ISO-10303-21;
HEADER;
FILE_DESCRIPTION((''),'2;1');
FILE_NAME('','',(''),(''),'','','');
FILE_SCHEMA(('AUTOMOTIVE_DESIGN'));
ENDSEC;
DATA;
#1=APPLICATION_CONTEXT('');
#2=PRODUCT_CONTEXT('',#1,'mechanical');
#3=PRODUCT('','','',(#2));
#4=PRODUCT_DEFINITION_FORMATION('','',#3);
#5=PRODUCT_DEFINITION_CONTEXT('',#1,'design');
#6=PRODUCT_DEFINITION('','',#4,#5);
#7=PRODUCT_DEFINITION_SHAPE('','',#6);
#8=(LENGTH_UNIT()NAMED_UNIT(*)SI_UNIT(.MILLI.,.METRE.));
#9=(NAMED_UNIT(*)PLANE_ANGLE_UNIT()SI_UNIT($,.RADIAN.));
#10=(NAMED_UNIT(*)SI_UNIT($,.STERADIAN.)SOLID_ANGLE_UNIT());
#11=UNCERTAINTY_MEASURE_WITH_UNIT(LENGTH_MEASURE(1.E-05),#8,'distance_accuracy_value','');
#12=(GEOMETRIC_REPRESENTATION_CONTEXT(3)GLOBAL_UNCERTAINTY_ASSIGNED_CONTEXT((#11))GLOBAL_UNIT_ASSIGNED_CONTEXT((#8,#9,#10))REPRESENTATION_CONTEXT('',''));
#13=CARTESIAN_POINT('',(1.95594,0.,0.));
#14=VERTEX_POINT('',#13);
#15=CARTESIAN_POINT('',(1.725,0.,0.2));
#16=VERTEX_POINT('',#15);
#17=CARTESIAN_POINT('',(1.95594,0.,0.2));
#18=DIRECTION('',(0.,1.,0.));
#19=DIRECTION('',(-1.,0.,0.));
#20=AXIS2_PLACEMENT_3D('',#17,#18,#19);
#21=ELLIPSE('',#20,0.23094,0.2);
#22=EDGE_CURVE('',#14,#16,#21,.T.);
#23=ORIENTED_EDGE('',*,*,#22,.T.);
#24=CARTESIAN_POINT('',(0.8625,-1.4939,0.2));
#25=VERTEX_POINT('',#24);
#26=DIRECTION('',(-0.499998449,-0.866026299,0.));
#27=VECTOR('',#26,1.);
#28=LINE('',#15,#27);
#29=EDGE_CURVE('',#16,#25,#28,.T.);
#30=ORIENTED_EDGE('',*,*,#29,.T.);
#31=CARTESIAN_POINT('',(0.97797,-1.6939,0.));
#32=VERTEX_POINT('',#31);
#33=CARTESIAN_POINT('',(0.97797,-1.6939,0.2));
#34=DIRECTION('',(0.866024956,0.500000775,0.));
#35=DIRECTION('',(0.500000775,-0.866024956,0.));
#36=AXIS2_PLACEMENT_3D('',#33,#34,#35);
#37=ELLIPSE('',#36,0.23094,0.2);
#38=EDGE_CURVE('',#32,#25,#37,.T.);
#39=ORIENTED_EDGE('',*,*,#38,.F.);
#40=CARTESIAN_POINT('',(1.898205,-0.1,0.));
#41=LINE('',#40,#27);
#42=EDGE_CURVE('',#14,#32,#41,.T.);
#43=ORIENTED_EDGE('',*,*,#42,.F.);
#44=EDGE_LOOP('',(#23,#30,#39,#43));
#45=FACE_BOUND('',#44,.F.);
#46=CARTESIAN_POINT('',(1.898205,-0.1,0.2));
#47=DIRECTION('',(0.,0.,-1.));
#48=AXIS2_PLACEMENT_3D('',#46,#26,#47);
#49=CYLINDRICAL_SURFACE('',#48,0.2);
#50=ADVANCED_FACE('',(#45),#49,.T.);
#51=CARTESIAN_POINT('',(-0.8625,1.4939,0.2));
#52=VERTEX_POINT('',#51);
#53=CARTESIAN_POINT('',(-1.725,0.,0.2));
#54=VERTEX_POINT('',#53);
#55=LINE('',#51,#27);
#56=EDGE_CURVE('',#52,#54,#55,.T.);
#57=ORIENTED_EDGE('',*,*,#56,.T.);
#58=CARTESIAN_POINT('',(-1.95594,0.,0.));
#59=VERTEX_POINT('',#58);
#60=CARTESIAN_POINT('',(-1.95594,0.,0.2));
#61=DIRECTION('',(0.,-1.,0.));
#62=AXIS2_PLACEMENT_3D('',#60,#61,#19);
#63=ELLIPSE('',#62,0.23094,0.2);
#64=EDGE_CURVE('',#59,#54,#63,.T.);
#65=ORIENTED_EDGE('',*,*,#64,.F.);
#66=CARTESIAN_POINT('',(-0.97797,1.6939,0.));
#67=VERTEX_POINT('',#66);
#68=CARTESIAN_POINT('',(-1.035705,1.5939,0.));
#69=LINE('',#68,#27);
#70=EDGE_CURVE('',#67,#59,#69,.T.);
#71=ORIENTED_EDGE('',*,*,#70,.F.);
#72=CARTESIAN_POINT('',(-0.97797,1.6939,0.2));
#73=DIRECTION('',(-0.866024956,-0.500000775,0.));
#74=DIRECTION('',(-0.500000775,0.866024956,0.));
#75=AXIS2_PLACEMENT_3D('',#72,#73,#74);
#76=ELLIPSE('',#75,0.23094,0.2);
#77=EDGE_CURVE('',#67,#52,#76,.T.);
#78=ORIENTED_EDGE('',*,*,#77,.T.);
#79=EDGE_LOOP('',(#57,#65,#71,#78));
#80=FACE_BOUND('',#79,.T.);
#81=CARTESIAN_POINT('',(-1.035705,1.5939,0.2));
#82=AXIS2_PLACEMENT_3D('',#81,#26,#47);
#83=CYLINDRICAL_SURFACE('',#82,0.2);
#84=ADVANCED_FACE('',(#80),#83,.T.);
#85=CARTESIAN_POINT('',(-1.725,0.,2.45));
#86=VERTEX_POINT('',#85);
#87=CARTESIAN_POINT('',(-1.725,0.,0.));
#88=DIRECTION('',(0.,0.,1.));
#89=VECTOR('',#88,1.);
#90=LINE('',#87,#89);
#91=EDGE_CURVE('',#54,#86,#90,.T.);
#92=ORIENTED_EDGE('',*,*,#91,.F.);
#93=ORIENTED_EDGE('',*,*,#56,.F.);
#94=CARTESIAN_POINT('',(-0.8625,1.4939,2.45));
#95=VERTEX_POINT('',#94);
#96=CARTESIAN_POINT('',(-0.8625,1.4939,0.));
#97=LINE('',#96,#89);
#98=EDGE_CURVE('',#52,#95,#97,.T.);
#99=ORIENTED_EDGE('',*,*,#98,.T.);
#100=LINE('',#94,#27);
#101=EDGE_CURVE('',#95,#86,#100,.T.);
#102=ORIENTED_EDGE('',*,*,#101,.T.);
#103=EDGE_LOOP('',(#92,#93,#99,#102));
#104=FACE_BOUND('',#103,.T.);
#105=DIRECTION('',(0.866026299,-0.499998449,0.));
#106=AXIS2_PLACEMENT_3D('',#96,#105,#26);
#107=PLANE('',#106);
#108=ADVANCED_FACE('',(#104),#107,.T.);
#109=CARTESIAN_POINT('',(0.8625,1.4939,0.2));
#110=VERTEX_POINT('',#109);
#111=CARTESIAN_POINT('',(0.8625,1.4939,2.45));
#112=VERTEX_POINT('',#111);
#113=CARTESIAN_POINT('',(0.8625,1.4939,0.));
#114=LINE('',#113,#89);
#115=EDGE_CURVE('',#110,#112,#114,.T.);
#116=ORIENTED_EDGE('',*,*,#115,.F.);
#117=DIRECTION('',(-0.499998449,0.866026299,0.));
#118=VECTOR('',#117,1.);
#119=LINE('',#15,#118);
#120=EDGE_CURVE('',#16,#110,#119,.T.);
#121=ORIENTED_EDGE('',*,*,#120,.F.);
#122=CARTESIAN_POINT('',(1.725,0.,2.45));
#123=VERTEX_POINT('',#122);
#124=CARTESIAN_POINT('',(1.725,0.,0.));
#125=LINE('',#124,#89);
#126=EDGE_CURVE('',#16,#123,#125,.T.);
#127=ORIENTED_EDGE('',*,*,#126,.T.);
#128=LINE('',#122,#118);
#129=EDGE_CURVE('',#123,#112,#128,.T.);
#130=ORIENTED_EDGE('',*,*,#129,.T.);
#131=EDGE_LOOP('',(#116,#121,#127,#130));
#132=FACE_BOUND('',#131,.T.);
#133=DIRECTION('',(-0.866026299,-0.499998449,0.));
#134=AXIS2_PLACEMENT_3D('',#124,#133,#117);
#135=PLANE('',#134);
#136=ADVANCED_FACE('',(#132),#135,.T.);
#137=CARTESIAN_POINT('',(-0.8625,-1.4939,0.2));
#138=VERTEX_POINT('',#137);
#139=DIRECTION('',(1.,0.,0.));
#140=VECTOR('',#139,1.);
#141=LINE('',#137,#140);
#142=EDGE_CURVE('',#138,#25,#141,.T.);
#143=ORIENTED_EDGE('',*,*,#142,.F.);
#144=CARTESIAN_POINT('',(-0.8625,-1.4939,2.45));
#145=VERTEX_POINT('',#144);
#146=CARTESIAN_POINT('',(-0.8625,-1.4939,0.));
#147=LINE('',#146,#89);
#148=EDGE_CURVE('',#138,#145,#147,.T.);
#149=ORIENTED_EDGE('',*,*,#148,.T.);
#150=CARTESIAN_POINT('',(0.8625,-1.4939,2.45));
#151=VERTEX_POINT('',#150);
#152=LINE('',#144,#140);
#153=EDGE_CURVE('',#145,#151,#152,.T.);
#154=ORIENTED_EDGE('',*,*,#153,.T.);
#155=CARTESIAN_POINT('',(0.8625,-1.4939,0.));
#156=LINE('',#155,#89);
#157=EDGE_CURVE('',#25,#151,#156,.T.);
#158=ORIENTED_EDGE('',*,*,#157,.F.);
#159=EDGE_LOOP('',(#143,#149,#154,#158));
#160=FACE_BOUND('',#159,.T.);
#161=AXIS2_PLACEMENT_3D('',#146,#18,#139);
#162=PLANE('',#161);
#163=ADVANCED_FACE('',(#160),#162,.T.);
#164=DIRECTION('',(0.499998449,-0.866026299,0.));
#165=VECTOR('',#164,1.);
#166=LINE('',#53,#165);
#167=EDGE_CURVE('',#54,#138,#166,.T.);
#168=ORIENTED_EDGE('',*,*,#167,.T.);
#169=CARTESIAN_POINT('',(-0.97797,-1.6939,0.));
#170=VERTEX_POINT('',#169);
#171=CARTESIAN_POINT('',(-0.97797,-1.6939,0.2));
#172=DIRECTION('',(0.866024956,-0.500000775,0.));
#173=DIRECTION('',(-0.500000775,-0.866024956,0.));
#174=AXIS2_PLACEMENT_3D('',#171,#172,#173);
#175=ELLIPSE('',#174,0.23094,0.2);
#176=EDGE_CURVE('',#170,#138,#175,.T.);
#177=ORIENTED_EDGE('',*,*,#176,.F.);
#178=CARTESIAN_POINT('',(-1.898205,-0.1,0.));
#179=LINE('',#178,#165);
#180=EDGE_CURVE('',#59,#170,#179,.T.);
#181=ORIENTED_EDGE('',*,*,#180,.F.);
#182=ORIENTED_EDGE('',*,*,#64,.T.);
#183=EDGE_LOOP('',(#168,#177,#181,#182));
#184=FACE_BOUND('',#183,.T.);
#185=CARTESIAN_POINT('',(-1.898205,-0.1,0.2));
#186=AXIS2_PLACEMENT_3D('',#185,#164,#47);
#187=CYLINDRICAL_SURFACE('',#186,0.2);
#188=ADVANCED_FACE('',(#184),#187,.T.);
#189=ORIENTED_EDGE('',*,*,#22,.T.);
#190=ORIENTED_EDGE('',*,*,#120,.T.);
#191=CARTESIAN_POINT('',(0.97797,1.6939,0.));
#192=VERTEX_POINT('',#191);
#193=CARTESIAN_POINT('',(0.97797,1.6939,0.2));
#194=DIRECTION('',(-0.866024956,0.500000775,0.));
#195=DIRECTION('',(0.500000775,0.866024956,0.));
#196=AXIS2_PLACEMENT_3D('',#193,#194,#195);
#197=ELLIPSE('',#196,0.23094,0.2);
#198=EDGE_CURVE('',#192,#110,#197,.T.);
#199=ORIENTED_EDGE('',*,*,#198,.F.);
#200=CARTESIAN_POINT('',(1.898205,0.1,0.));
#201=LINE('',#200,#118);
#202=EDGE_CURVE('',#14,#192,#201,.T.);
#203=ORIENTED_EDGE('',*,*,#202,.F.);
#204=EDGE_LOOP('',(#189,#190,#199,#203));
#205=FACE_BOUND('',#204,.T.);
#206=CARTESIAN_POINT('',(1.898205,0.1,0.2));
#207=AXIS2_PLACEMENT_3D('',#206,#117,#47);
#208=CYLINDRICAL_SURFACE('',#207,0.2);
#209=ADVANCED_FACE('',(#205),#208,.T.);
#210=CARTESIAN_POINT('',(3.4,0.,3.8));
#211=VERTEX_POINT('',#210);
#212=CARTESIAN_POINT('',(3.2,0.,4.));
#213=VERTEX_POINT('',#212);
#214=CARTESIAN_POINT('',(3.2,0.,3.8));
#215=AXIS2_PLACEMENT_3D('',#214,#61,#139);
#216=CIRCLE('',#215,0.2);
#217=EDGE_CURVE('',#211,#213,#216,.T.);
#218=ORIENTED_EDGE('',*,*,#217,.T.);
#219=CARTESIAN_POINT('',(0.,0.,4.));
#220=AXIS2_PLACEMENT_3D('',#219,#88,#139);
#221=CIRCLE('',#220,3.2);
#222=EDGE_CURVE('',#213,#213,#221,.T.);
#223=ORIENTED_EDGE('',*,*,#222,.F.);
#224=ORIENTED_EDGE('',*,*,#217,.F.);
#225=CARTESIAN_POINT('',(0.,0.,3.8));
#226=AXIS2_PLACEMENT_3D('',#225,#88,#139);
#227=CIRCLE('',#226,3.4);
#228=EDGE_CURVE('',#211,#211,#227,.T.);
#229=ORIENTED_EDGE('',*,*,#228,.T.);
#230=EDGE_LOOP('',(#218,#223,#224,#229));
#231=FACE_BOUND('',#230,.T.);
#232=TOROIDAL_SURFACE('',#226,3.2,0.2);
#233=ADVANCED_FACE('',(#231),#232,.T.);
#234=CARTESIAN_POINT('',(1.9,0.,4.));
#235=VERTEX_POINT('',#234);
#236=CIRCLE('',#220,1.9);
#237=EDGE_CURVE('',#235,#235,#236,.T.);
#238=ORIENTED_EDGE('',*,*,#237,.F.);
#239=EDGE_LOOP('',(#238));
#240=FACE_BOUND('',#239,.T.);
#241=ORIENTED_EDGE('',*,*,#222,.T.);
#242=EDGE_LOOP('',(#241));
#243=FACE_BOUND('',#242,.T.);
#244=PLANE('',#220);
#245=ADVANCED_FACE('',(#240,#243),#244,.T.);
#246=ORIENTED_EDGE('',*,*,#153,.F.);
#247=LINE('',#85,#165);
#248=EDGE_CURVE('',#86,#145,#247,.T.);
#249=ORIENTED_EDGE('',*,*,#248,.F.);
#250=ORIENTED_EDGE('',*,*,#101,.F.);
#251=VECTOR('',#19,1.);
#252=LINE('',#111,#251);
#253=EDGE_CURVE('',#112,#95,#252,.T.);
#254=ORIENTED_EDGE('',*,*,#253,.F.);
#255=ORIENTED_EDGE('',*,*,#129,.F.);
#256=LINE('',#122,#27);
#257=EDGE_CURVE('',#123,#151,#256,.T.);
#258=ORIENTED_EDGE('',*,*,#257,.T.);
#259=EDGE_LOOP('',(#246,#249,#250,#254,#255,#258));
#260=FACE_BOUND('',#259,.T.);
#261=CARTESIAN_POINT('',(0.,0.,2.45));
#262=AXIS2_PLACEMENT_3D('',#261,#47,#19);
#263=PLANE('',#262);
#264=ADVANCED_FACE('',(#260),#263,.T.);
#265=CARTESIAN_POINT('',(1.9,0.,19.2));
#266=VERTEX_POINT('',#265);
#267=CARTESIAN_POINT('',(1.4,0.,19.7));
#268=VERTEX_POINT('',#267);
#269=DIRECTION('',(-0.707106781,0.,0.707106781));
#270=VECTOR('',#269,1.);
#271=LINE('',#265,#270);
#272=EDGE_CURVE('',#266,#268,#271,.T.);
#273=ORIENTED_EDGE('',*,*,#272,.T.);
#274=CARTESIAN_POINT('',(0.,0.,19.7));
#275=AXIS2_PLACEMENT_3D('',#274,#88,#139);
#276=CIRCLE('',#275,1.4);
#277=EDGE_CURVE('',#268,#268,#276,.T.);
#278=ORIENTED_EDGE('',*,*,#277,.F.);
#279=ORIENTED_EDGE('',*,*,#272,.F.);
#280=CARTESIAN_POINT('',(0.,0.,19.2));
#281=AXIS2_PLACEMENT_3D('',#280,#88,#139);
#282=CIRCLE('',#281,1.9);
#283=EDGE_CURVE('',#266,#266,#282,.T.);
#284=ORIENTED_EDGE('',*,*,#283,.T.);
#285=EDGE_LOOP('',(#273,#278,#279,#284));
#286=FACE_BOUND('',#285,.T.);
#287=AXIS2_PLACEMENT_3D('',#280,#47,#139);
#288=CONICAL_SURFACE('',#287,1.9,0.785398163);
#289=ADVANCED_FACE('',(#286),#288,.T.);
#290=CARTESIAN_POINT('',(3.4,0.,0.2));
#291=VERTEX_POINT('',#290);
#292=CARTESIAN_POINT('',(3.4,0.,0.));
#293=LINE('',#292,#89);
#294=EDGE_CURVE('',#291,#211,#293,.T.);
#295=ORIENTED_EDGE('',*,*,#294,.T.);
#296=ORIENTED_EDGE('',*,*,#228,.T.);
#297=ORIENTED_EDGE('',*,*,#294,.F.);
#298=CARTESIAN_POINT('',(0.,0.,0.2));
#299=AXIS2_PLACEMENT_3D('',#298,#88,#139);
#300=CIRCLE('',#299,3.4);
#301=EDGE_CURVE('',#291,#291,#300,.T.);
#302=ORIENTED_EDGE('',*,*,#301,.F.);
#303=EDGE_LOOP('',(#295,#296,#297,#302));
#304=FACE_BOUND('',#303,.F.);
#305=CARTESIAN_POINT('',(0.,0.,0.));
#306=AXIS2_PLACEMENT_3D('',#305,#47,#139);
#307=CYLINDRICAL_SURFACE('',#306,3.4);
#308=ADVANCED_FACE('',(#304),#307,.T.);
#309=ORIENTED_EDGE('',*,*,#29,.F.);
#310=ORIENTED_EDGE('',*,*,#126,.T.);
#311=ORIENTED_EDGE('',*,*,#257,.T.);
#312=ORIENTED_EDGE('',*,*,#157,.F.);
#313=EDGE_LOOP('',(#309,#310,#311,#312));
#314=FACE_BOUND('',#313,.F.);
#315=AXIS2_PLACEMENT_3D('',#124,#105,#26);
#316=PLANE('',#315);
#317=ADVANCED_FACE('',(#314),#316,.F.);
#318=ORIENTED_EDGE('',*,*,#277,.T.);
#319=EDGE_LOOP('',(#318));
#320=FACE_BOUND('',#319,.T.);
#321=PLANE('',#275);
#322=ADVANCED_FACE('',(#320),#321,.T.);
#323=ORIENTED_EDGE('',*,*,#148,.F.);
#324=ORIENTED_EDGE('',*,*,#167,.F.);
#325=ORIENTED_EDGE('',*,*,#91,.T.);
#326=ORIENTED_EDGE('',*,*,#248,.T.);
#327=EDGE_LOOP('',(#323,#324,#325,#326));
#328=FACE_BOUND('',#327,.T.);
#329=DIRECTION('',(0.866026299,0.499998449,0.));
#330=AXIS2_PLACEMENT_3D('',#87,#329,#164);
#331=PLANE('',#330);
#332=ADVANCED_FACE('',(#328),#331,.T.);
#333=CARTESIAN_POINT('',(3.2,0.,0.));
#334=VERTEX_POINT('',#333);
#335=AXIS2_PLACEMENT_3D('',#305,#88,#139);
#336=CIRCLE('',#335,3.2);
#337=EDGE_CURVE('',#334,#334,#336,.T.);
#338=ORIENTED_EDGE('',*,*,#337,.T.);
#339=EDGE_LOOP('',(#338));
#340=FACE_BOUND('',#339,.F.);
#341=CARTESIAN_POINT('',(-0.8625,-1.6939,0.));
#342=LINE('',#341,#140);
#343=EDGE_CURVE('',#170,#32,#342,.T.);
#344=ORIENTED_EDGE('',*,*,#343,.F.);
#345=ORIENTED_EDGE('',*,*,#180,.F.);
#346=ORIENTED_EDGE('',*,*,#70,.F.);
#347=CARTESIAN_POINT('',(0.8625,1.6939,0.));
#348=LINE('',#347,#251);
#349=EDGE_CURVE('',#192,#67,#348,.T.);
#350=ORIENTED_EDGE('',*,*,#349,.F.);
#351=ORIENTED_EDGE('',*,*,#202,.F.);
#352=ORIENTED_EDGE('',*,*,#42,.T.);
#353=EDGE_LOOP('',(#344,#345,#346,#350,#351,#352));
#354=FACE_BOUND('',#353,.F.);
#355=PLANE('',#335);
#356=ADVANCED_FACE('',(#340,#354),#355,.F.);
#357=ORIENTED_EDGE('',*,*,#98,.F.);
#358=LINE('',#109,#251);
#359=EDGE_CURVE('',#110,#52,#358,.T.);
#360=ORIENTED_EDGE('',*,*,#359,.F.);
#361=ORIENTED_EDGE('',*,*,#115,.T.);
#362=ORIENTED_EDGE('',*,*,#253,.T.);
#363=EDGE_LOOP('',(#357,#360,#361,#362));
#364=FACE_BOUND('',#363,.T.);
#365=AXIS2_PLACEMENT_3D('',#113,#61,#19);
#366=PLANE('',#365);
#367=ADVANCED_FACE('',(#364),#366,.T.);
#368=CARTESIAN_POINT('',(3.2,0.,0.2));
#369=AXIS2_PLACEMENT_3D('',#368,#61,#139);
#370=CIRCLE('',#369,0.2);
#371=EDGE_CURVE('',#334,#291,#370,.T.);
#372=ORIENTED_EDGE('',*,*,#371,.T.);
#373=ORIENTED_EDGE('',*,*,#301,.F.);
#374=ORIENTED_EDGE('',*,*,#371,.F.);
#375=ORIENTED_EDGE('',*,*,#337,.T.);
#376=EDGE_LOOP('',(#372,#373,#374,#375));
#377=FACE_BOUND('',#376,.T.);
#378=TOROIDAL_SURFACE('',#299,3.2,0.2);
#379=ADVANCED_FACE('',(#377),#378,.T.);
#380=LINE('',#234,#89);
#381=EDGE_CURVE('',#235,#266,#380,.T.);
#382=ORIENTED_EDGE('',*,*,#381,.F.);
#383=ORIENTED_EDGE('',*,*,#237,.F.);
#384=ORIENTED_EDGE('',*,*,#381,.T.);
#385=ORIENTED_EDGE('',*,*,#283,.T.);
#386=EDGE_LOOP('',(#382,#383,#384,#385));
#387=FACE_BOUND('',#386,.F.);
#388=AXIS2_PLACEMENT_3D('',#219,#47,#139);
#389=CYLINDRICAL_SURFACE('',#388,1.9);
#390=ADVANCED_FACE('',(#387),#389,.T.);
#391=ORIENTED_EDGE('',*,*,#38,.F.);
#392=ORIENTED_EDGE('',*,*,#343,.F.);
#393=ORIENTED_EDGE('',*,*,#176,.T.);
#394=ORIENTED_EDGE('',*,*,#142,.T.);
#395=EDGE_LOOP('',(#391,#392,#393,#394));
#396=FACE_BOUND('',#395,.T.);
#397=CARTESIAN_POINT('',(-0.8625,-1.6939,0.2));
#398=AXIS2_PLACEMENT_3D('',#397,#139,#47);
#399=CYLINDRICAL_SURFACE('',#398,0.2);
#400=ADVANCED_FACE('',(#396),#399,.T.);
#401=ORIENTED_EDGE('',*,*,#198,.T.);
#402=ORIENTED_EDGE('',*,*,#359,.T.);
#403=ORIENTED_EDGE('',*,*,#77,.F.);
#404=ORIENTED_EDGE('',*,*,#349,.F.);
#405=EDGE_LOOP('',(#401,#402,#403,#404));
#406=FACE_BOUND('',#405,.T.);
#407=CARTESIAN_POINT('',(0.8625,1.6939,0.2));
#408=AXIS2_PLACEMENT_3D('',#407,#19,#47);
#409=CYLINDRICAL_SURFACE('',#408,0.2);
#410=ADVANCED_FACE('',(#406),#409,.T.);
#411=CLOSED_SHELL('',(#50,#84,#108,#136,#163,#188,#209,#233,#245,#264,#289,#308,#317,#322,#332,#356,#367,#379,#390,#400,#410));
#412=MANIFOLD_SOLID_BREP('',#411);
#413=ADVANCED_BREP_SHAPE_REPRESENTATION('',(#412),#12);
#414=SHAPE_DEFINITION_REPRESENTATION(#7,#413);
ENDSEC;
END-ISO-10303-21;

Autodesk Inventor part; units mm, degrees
ref_plane "YZ Plane" through (0, 0, 0) normal (1, 0, 0) x (0, 1, 0)
ref_plane "XZ Plane" through (0, 0, 0) normal (0, 1, 0) x (-1, 0, 0)
ref_plane "XY Plane" through (0, 0, 0) normal (0, 0, 1) x (1, 0, 0)
sketch "Sketch1" plane through (0, 0, 0) normal (0, 0, 1) x (1, 0, 0)
  point P0 (0, 0)
sketch "Sketch2" plane through (0, 0, 0) normal (0, 0, 1) x (1, 0, 0)
  circle A0 centre (0, 0) radius 3.4
  dimension "d0" = 6.8
extrude "Extrusion1" add sketch "Sketch2" along normal blind 4
sketch "Sketch3" plane through (0, 0, 4) normal (0, 0, 1) x (1, 0, 0)
  circle A0 centre (0, 0) radius 3.4 projected
  circle A1 centre (0, 0) radius 1.9
  dimension "d3" = 3.8
extrude "Extrusion2" add sketch "Sketch3" along normal blind 15.7 contours A1
sketch "Sketch4" plane through (0, 0, 0) normal (0, 0, -1) x (-1, 0, 0)
  circle A0 centre (0, 0) radius 3.4 projected
  circle A1 centre (0, 0) radius 3.4 projected
  line L0 (-0.8625, 1.4939) -> (0.8625, 1.4939)
  line L1 (0.8625, 1.4939) -> (1.725, 0)
  line L2 (1.725, 0) -> (0.8625, -1.4939)
  line L3 (0.8625, -1.4939) -> (-0.8625, -1.4939)
  line L4 (-1.725, 0) -> (-0.8625, -1.4939)
  line L5 (-1.725, 0) -> (-0.8625, 1.4939)
extrude "Extrusion3" cut sketch "Sketch4" against normal blind 2.45 contours L0 L1 L2 L3 L4 L5
fillet "Fillet1" radius 0.2 6 edges at (1.2937, 0.7469, 0) (0, 1.4939, 0) (-1.2937, 0.7469, 0) (-1.2937, -0.7469, 0) (0, -1.4939, 0) (1.2937, -0.7469, 0)
fillet "Fillet2" radius 0.2 2 edges at (-3.4, 0, 0) (-3.4, 0, 4)
chamfer "Chamfer1" distance 0.5 angle 45 1 edges at (-1.9, 0, 19.7)
properties part number "LUC GIAC"
